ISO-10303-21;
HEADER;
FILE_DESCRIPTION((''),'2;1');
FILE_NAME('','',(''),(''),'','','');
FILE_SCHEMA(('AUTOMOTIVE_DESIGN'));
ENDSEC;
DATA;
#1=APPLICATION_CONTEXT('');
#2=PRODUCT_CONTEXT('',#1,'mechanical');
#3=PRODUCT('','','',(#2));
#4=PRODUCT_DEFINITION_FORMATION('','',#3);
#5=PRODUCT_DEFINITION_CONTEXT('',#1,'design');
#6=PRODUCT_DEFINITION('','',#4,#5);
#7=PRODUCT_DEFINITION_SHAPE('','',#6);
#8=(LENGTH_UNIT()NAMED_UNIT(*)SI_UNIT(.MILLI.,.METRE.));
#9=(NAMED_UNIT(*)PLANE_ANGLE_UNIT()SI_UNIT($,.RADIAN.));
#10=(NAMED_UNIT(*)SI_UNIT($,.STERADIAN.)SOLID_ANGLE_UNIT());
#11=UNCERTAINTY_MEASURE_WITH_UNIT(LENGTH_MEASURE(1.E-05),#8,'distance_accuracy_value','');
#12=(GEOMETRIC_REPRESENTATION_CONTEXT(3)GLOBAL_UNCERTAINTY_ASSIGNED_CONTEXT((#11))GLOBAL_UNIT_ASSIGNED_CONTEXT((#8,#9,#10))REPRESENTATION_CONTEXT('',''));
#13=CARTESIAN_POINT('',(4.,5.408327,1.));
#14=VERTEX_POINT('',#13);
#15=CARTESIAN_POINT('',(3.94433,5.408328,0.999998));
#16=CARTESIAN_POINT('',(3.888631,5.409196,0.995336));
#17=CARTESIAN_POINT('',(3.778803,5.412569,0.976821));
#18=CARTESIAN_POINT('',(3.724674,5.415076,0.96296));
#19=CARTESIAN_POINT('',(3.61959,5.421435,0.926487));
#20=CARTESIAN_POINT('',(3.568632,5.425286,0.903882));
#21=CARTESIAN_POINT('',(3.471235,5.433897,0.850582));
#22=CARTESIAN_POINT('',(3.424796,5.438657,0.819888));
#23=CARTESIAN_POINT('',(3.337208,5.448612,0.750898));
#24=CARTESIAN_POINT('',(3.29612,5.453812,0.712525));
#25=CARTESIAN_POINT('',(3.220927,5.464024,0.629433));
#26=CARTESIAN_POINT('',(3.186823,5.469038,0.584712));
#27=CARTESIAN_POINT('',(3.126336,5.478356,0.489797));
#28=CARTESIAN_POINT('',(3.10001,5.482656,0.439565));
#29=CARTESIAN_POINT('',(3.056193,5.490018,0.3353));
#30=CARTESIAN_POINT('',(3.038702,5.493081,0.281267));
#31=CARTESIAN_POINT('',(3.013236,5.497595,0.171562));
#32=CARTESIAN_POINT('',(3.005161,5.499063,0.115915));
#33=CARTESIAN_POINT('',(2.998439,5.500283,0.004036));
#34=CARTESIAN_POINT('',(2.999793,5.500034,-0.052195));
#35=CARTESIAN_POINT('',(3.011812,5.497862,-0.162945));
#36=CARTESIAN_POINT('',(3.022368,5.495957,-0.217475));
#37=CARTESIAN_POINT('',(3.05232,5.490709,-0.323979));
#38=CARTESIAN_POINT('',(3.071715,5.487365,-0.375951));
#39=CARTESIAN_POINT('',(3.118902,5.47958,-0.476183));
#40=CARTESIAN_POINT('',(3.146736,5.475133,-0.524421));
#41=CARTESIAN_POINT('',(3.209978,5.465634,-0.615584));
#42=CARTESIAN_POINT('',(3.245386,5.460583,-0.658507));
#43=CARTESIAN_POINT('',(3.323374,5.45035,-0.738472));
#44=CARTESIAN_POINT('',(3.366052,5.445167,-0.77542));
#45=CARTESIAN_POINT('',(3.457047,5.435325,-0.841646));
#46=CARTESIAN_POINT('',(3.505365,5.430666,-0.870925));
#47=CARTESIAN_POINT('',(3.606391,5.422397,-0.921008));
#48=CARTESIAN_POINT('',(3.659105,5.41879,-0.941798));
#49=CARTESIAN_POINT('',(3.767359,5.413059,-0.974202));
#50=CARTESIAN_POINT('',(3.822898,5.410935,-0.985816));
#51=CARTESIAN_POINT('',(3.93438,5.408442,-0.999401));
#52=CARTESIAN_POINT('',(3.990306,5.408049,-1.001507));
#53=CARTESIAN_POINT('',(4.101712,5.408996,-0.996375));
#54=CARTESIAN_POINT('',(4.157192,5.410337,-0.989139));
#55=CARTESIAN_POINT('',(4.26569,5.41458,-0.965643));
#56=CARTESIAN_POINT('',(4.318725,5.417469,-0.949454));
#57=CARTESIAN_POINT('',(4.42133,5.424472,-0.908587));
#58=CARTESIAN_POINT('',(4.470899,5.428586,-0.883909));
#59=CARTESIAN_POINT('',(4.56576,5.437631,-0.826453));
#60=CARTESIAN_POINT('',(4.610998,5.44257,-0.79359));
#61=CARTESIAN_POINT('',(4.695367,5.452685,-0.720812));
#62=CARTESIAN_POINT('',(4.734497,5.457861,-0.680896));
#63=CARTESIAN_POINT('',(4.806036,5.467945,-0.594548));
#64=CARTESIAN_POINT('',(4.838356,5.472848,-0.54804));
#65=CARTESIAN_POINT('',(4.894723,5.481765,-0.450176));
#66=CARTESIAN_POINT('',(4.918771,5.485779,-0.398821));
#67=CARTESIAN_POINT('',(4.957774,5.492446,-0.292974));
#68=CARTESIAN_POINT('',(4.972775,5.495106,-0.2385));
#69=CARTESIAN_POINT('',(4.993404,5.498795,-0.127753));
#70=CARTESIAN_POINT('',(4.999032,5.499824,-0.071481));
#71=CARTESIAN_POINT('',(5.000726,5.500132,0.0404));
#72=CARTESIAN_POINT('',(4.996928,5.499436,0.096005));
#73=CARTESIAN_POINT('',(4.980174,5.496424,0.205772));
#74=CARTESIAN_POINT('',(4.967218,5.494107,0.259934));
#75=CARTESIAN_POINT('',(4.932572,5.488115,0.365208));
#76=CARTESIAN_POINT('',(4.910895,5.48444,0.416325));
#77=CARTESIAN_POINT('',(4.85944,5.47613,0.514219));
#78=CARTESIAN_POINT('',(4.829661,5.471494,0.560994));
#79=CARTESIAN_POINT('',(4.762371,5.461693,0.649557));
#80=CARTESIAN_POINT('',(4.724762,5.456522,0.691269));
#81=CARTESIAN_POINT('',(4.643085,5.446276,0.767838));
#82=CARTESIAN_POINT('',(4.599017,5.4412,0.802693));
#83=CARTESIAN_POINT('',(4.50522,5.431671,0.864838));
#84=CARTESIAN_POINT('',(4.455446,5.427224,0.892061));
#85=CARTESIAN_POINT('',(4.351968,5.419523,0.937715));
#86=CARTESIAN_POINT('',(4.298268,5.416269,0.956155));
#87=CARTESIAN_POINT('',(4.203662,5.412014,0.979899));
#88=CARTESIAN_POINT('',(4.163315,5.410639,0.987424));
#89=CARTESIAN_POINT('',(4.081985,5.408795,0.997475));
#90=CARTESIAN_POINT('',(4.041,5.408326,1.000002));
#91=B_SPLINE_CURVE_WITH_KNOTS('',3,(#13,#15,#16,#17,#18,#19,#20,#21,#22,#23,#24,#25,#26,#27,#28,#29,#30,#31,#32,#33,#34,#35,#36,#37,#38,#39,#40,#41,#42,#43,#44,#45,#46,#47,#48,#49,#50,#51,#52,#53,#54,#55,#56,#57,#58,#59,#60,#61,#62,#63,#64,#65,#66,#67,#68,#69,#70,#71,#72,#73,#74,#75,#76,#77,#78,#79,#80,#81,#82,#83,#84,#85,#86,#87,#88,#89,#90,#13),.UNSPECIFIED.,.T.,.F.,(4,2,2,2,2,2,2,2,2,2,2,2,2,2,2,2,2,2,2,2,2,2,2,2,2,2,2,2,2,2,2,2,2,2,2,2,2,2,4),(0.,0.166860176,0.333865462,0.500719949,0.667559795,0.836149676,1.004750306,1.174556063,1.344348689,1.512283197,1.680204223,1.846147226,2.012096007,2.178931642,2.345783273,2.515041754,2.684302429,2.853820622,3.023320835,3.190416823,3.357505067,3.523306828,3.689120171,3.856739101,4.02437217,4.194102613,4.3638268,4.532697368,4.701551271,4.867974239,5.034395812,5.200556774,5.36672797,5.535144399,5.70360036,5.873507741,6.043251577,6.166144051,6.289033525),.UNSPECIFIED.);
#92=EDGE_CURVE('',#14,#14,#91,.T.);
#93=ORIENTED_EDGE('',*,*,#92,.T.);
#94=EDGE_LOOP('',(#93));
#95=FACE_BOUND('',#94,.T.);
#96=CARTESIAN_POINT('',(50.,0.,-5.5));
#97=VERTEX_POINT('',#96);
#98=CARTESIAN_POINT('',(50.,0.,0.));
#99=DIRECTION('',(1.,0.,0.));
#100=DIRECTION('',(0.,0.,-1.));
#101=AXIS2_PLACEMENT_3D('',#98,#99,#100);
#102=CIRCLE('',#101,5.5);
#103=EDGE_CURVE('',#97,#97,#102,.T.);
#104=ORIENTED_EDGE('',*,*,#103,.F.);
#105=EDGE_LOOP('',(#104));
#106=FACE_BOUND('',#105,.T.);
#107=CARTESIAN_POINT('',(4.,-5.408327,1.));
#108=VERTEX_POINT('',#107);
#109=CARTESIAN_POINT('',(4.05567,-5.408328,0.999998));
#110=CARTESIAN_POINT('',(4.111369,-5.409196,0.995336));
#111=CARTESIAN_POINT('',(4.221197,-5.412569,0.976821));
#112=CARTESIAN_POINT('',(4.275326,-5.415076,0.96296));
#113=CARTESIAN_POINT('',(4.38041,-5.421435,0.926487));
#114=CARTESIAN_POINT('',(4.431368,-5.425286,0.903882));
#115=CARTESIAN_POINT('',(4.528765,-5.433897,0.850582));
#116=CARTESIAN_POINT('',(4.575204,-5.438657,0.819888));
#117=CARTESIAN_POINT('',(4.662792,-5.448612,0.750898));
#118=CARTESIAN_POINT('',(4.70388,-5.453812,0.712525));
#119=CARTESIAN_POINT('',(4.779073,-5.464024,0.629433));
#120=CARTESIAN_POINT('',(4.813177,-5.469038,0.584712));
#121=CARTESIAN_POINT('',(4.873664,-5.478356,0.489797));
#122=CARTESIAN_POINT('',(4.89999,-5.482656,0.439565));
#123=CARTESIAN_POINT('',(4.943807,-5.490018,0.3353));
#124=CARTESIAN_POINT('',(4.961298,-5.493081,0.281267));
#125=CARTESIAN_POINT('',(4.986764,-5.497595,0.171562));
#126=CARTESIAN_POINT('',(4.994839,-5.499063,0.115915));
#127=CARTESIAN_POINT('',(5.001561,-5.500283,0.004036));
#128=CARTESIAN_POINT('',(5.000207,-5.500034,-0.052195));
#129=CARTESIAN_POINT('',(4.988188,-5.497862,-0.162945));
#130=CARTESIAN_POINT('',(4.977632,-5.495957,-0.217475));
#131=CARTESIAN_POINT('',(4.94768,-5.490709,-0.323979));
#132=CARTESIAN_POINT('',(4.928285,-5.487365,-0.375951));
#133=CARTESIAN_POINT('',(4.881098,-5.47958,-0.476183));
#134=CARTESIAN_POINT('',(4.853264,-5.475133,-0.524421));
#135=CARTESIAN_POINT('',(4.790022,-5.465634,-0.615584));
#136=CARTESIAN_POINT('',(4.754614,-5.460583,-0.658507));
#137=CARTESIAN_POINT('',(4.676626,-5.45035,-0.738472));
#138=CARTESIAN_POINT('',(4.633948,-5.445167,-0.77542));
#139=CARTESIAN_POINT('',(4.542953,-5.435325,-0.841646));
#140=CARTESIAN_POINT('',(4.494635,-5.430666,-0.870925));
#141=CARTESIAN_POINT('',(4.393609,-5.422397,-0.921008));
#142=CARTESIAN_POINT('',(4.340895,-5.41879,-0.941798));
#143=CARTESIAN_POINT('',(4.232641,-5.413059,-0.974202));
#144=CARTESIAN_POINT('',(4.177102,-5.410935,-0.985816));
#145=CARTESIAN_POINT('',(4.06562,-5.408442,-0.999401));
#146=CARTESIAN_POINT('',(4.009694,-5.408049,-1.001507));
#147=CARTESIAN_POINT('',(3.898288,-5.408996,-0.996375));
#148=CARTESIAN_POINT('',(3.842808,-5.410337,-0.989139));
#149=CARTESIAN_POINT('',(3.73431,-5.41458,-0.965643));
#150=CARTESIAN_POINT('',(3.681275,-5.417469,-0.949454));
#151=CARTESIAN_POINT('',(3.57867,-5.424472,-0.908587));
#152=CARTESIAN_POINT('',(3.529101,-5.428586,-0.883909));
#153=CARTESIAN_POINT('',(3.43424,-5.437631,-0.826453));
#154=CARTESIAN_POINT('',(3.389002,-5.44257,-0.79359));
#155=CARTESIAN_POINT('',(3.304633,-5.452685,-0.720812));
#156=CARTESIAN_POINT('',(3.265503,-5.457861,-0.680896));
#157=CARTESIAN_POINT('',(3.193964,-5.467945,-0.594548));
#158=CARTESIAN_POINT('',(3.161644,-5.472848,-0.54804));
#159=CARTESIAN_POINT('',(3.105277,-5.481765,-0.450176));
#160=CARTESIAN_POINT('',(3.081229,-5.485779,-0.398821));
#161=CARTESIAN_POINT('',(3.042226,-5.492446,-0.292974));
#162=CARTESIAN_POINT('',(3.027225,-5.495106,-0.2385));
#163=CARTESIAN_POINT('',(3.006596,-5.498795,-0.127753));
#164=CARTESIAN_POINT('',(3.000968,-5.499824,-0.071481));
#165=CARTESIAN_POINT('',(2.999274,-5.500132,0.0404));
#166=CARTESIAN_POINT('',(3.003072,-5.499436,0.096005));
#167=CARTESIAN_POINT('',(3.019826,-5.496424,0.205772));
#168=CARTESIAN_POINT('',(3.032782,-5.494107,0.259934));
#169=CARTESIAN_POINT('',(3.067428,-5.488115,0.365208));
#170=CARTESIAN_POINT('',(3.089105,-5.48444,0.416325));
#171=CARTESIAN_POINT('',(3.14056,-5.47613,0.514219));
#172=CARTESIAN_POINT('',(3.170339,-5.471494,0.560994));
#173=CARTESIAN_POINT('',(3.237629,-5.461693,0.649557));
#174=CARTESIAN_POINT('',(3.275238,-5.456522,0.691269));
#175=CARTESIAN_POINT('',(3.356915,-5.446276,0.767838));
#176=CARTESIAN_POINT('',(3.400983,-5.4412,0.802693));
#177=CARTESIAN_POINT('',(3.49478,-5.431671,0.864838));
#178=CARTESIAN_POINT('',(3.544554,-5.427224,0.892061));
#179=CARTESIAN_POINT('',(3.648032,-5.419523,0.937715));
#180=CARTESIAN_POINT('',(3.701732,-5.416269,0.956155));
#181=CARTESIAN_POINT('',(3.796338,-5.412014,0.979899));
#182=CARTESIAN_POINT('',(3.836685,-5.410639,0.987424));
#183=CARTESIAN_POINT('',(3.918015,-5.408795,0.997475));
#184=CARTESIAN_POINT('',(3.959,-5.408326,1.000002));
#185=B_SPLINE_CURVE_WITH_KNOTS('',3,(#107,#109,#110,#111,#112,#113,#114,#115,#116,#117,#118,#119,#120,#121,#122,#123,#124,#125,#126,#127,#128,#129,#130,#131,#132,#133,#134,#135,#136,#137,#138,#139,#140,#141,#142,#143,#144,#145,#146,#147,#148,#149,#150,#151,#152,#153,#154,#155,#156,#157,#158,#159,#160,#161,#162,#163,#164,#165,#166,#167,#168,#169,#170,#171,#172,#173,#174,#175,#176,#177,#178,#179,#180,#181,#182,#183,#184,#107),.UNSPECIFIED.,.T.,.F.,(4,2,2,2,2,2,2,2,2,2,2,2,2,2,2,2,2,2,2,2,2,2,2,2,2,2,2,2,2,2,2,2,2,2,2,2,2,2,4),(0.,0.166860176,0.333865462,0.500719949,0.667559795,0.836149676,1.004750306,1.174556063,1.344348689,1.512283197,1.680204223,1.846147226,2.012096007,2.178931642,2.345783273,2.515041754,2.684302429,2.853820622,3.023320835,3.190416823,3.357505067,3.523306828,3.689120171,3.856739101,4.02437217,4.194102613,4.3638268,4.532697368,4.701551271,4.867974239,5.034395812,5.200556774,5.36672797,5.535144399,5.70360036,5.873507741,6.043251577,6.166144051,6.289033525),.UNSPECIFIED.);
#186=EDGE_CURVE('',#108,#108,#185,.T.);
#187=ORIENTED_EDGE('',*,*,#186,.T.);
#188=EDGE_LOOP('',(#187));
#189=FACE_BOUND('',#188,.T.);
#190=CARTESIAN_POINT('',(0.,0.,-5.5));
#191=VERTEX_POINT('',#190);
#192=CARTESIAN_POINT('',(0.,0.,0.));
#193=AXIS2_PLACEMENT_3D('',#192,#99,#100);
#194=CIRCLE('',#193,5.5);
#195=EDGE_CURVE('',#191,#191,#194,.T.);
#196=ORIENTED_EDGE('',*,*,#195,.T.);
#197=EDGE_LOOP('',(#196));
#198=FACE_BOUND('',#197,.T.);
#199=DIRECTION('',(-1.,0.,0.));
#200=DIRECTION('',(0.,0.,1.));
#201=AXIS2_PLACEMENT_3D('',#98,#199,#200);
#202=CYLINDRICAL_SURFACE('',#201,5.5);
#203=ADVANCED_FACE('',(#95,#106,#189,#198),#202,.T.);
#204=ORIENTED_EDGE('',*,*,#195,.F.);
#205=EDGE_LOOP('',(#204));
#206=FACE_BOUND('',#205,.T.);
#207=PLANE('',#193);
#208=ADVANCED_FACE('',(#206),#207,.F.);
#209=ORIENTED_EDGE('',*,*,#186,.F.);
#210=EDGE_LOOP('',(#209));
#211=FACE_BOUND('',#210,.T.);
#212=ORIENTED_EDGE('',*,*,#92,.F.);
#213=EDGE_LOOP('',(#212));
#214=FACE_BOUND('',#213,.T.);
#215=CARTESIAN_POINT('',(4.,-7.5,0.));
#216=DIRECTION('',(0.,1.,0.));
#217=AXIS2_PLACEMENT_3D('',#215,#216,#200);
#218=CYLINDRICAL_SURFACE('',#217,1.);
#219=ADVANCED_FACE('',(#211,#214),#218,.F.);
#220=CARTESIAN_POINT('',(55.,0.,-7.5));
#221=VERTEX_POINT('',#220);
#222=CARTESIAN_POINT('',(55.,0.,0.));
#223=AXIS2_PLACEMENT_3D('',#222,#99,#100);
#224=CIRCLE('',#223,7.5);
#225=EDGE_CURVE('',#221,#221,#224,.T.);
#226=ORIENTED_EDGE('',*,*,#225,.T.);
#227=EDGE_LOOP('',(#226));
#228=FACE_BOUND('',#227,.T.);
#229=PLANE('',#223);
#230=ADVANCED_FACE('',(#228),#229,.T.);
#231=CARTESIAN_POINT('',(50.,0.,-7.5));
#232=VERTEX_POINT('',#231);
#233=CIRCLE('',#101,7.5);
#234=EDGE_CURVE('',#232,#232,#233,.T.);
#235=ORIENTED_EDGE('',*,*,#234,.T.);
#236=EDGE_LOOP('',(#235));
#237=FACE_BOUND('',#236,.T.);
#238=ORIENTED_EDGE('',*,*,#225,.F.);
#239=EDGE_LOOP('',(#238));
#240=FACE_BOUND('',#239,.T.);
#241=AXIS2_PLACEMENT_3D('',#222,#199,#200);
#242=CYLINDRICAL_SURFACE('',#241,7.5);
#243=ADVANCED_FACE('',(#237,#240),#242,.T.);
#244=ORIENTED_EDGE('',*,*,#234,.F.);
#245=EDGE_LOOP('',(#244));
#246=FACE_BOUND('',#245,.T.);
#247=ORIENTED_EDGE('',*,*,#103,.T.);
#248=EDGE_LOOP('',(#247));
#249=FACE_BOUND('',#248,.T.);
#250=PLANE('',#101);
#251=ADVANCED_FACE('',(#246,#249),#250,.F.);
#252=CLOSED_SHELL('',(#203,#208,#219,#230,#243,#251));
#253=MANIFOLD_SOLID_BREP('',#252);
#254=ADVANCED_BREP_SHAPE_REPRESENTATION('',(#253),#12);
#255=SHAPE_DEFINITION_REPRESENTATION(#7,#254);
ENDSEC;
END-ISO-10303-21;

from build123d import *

# Parameters (mm, degrees)
SKETCH1_R               = 5.5
BOSS_EXTRUDE1_DEPTH     = 50
SKETCH2_R               = 7.5
BOSS_EXTRUDE2_DEPTH     = 5
SKETCH3_R               = 1
CUT_EXTRUDE1_DEPTH      = 8.5
CUT_EXTRUDE1_DEPTH_BACK = 8.5


with BuildPart() as part:
    # Sketch1 → Boss-Extrude1 (new body)
    with BuildSketch(Plane(origin=(0, 0, 0), x_dir=(0, 0, -1), z_dir=(1, 0, 0))):
        Circle(SKETCH1_R)
    extrude(amount=BOSS_EXTRUDE1_DEPTH)

    # Sketch2 → Boss-Extrude2 (add)
    with BuildSketch(Plane(origin=(50, 0, 0), x_dir=(0, 0, -1), z_dir=(1, 0, 0))):
        Circle(SKETCH2_R)
    extrude(amount=BOSS_EXTRUDE2_DEPTH)

    # Sketch3 → Cut-Extrude1 (cut, two sides)
    with BuildSketch(Plane(origin=(0, 0, 0), x_dir=(1, 0, 0), z_dir=(0, 1, 0))) as cut_extrude1_sk:
        with Locations((4, 0)):
            Circle(SKETCH3_R)
    extrude(amount=CUT_EXTRUDE1_DEPTH, mode=Mode.SUBTRACT)
    extrude(cut_extrude1_sk.sketch, amount=-CUT_EXTRUDE1_DEPTH_BACK, mode=Mode.SUBTRACT)


solid = part.part
